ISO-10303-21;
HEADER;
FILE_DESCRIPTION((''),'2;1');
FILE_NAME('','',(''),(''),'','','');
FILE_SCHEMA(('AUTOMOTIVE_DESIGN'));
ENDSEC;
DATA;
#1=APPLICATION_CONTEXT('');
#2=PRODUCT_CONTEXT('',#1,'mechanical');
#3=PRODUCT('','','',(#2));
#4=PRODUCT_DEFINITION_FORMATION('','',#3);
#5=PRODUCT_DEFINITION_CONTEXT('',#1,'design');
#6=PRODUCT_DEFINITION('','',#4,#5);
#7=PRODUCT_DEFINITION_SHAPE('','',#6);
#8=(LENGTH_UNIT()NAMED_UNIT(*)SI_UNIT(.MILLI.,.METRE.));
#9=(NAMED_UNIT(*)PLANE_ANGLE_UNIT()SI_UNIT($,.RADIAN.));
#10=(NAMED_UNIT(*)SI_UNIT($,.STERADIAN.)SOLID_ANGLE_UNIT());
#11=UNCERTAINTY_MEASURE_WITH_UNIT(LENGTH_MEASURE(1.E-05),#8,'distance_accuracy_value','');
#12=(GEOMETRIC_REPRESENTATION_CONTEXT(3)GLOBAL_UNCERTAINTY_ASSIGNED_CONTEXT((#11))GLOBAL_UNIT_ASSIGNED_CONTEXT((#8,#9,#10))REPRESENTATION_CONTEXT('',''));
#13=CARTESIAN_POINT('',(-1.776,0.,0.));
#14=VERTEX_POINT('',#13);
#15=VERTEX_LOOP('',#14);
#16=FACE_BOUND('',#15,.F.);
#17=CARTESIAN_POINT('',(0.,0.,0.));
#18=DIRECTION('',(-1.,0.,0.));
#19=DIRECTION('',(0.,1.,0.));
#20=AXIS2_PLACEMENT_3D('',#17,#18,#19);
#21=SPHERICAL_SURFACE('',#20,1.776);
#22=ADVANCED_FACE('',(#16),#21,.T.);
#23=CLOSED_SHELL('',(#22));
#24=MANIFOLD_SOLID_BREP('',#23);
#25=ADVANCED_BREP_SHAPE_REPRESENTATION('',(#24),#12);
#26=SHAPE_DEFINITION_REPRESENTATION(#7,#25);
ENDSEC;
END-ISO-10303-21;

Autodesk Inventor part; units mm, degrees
sketch "Sketch_1" plane through (0, 0, 0) normal (0, 0, 1) x (1, 0, 0)
  line L0 (1.776, 0) -> (-1.776, 0)
  arc A0 (1.776, 0) -> (-1.776, 0) centre (0, 0) ccw
  line L1 (1.776, 0) -> (-1.776, 0)
revolve "Revolution1" add sketch "Sketch_1" angle 360 about axis through (1.776, 0, 0) along (1, 0, 0)
ref_plane "mss_ball_XY" through (0, 0, 0) normal (1, 0, 0) x (0, 0, -1)
ref_plane "mss_ball_YZ" through (0, 0, 0) normal (0, 0, -1) x (0, 1, 0)
ref_plane "mss_ball_ZX" through (0, 0, 0) normal (0, 1, 0) x (1, 0, 0)
properties part number "607ZZ Ball"
